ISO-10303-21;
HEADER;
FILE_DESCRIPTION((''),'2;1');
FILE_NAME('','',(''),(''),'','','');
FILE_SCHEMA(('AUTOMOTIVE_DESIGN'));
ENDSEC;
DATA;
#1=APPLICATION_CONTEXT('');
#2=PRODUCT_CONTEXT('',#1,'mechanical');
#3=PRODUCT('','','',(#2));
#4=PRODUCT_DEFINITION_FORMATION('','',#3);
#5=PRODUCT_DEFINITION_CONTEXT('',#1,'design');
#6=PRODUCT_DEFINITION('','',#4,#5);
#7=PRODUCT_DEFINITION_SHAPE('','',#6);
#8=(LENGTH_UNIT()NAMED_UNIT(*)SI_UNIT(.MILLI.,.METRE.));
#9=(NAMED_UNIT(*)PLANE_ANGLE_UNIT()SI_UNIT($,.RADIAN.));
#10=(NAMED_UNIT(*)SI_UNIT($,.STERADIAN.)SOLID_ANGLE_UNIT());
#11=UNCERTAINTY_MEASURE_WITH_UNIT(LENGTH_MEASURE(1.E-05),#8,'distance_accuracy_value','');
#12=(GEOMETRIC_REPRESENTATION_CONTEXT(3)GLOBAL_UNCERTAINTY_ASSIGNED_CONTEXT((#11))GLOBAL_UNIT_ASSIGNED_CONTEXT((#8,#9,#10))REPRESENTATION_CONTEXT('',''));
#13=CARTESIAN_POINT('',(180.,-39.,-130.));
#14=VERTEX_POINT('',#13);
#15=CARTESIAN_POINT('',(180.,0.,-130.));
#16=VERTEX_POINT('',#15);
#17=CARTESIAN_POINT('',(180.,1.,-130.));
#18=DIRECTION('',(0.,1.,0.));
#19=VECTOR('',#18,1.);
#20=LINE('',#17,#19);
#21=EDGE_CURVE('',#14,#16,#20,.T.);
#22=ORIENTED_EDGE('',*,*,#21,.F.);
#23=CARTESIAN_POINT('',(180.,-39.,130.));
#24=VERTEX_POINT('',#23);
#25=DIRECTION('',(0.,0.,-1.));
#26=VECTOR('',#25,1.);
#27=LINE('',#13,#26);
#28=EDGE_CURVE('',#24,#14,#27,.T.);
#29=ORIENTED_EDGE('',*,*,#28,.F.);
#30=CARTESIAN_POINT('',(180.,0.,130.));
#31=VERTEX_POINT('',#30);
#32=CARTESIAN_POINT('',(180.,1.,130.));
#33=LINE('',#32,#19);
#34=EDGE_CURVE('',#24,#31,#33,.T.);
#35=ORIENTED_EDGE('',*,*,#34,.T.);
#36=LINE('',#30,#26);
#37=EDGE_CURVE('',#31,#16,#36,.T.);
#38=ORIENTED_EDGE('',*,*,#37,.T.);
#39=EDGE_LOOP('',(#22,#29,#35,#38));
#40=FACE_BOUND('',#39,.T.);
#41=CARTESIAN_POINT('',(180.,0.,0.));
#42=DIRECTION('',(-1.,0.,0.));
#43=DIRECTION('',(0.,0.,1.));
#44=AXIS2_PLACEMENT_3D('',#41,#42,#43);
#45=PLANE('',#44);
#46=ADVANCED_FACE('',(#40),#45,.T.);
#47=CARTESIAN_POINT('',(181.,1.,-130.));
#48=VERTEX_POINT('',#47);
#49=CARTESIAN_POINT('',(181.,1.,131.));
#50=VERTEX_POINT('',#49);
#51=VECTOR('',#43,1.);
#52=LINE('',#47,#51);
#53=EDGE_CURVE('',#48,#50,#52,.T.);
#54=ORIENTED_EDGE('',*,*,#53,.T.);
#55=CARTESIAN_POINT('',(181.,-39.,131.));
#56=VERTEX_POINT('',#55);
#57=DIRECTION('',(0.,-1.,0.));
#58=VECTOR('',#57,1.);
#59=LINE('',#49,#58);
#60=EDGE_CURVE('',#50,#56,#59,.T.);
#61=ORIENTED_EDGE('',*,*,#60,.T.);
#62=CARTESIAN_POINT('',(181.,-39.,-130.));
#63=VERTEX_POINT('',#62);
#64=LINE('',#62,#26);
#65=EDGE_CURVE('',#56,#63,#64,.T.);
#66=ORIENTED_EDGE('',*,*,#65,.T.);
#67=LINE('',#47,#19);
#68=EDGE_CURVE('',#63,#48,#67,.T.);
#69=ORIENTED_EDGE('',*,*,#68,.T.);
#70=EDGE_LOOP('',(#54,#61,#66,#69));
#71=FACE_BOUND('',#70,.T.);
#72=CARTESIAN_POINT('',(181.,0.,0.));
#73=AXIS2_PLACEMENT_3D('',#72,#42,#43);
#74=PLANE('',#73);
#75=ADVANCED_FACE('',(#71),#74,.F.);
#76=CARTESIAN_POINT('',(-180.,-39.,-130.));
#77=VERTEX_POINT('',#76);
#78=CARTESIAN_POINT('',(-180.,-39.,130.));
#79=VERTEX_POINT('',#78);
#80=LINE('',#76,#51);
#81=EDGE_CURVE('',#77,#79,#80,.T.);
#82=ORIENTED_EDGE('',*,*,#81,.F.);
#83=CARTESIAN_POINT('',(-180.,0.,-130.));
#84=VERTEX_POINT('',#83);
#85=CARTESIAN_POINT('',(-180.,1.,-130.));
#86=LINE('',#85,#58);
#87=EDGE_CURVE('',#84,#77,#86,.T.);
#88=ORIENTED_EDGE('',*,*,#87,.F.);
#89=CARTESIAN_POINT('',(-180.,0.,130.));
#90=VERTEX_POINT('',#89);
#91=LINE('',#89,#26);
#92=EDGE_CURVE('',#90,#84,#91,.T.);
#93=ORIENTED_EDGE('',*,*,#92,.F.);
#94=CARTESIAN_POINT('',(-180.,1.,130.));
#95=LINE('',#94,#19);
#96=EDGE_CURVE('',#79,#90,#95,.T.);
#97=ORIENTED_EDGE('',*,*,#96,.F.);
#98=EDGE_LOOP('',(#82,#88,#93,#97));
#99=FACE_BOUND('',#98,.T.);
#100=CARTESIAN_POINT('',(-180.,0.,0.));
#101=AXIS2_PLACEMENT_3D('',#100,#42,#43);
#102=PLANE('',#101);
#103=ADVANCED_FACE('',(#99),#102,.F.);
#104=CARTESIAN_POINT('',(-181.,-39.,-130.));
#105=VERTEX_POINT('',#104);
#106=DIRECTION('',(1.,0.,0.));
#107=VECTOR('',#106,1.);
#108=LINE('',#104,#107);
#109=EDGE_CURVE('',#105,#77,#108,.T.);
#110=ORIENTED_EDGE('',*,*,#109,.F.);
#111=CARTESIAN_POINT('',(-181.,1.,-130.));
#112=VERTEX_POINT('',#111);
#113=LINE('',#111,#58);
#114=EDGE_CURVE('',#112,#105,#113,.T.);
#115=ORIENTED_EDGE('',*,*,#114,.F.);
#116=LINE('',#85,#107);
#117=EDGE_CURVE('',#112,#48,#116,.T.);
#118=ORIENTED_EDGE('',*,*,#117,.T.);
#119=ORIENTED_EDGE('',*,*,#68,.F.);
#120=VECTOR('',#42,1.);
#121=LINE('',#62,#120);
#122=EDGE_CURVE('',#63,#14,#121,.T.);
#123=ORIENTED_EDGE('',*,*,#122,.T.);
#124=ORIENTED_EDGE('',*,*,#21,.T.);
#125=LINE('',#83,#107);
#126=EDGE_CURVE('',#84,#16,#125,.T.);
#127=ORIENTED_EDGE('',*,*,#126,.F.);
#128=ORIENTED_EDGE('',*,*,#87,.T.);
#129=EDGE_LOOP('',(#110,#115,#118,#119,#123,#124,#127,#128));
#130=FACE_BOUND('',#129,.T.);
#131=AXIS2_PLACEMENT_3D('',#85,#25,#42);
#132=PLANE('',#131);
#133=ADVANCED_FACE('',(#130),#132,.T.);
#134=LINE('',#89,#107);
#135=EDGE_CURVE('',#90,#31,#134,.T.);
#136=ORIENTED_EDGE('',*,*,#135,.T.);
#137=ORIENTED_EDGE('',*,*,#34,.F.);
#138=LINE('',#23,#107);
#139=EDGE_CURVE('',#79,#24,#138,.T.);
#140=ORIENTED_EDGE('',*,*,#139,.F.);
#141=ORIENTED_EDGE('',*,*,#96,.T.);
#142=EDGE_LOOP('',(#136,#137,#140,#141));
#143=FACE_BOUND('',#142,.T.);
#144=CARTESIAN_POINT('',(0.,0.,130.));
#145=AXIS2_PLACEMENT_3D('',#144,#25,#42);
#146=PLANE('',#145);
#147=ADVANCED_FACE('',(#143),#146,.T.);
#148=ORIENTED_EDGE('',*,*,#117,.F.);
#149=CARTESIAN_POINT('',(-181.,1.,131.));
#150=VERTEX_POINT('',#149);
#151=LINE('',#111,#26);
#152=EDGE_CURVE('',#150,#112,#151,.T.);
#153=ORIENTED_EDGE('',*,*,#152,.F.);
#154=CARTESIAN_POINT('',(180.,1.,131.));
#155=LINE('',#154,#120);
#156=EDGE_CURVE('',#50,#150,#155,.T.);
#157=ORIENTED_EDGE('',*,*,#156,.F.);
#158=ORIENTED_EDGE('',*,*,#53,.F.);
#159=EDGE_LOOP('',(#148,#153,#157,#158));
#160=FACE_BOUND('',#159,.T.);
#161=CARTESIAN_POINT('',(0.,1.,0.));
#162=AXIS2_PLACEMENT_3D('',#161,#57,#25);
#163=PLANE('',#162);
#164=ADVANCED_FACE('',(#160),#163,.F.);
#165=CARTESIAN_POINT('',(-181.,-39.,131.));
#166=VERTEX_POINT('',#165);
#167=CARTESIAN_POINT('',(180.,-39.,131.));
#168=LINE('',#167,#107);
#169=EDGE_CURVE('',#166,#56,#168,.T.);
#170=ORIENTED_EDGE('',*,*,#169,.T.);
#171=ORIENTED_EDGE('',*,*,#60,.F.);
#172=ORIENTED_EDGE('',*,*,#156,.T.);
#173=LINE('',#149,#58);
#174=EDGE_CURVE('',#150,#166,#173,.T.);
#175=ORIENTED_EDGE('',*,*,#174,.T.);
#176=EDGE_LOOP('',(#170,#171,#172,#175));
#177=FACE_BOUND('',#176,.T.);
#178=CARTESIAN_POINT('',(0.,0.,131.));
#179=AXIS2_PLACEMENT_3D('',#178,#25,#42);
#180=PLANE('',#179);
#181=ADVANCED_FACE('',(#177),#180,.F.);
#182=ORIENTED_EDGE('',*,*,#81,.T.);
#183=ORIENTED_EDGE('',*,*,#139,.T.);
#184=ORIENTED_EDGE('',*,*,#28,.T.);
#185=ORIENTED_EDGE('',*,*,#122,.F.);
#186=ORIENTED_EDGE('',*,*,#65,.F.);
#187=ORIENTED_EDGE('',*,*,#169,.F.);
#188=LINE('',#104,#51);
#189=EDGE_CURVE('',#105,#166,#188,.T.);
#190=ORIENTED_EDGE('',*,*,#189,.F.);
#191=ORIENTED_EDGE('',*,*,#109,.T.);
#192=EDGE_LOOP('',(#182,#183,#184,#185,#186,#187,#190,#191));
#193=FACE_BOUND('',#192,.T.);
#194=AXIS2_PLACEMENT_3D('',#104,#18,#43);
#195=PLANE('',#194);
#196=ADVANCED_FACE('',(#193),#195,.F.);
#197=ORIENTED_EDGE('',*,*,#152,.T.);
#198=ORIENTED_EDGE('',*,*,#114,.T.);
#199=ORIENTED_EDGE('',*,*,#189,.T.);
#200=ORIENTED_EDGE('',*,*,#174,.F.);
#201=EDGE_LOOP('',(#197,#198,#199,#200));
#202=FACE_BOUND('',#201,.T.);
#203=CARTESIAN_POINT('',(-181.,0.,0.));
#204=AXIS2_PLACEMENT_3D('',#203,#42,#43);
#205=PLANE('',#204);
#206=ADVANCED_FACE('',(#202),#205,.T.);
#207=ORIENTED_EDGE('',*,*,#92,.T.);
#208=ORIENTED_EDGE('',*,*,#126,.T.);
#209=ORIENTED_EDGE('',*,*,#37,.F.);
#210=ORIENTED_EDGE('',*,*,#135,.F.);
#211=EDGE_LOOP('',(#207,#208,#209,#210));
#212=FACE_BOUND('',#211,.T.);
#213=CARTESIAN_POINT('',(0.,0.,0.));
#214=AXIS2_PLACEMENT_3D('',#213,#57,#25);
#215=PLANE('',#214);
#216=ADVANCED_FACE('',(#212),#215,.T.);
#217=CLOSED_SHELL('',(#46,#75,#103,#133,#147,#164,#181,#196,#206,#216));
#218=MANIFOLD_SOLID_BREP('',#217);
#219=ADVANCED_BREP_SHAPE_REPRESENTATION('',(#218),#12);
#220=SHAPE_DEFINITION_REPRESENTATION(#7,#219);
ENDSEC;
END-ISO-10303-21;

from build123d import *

# Parameters (mm, degrees)
ESBO_O2_W                = 360
ESBO_O2_H                = 260
RESSALTO_EXTRUS_O1_DEPTH = 1
ESBO_O3_W                = 260
ESBO_O3_H                = 40
RESSALTO_EXTRUS_O2_DEPTH = 1
ESBO_O5_W                = 361
ESBO_O5_H                = 40
RESSALTO_EXTRUS_O3_DEPTH = 1
ESBO_O6_W                = 261
ESBO_O6_H                = 40
RESSALTO_EXTRUS_O4_DEPTH = 1


with BuildPart() as part:
    # Esboço2 → Ressalto-extrusão1 (new body)
    with BuildSketch(Plane(origin=(0, 0, 0), x_dir=(1, 0, 0), z_dir=(0, 1, 0))):
        Rectangle(ESBO_O2_W, ESBO_O2_H)
    extrude(amount=RESSALTO_EXTRUS_O1_DEPTH)

    # Esboço3 → Ressalto-extrusão2 (add)
    with BuildSketch(Plane.ZY.offset(180)):
        with Locations((0, -19)):
            Rectangle(ESBO_O3_W, ESBO_O3_H)
    extrude(amount=RESSALTO_EXTRUS_O2_DEPTH)

    # Esboço5 → Ressalto-extrusão3 (add)
    with BuildSketch(Plane.XY.offset(130)):
        with Locations((-0.5, -19)):
            Rectangle(ESBO_O5_W, ESBO_O5_H)
    extrude(amount=RESSALTO_EXTRUS_O3_DEPTH)

    # Esboço6 → Ressalto-extrusão4 (add)
    with BuildSketch(Plane(origin=(180, 0, 0), x_dir=(0, 0, -1), z_dir=(1, 0, 0))):
        with Locations((-0.5, -19)):
            Rectangle(ESBO_O6_W, ESBO_O6_H)
    extrude(amount=RESSALTO_EXTRUS_O4_DEPTH)


solid = part.part
